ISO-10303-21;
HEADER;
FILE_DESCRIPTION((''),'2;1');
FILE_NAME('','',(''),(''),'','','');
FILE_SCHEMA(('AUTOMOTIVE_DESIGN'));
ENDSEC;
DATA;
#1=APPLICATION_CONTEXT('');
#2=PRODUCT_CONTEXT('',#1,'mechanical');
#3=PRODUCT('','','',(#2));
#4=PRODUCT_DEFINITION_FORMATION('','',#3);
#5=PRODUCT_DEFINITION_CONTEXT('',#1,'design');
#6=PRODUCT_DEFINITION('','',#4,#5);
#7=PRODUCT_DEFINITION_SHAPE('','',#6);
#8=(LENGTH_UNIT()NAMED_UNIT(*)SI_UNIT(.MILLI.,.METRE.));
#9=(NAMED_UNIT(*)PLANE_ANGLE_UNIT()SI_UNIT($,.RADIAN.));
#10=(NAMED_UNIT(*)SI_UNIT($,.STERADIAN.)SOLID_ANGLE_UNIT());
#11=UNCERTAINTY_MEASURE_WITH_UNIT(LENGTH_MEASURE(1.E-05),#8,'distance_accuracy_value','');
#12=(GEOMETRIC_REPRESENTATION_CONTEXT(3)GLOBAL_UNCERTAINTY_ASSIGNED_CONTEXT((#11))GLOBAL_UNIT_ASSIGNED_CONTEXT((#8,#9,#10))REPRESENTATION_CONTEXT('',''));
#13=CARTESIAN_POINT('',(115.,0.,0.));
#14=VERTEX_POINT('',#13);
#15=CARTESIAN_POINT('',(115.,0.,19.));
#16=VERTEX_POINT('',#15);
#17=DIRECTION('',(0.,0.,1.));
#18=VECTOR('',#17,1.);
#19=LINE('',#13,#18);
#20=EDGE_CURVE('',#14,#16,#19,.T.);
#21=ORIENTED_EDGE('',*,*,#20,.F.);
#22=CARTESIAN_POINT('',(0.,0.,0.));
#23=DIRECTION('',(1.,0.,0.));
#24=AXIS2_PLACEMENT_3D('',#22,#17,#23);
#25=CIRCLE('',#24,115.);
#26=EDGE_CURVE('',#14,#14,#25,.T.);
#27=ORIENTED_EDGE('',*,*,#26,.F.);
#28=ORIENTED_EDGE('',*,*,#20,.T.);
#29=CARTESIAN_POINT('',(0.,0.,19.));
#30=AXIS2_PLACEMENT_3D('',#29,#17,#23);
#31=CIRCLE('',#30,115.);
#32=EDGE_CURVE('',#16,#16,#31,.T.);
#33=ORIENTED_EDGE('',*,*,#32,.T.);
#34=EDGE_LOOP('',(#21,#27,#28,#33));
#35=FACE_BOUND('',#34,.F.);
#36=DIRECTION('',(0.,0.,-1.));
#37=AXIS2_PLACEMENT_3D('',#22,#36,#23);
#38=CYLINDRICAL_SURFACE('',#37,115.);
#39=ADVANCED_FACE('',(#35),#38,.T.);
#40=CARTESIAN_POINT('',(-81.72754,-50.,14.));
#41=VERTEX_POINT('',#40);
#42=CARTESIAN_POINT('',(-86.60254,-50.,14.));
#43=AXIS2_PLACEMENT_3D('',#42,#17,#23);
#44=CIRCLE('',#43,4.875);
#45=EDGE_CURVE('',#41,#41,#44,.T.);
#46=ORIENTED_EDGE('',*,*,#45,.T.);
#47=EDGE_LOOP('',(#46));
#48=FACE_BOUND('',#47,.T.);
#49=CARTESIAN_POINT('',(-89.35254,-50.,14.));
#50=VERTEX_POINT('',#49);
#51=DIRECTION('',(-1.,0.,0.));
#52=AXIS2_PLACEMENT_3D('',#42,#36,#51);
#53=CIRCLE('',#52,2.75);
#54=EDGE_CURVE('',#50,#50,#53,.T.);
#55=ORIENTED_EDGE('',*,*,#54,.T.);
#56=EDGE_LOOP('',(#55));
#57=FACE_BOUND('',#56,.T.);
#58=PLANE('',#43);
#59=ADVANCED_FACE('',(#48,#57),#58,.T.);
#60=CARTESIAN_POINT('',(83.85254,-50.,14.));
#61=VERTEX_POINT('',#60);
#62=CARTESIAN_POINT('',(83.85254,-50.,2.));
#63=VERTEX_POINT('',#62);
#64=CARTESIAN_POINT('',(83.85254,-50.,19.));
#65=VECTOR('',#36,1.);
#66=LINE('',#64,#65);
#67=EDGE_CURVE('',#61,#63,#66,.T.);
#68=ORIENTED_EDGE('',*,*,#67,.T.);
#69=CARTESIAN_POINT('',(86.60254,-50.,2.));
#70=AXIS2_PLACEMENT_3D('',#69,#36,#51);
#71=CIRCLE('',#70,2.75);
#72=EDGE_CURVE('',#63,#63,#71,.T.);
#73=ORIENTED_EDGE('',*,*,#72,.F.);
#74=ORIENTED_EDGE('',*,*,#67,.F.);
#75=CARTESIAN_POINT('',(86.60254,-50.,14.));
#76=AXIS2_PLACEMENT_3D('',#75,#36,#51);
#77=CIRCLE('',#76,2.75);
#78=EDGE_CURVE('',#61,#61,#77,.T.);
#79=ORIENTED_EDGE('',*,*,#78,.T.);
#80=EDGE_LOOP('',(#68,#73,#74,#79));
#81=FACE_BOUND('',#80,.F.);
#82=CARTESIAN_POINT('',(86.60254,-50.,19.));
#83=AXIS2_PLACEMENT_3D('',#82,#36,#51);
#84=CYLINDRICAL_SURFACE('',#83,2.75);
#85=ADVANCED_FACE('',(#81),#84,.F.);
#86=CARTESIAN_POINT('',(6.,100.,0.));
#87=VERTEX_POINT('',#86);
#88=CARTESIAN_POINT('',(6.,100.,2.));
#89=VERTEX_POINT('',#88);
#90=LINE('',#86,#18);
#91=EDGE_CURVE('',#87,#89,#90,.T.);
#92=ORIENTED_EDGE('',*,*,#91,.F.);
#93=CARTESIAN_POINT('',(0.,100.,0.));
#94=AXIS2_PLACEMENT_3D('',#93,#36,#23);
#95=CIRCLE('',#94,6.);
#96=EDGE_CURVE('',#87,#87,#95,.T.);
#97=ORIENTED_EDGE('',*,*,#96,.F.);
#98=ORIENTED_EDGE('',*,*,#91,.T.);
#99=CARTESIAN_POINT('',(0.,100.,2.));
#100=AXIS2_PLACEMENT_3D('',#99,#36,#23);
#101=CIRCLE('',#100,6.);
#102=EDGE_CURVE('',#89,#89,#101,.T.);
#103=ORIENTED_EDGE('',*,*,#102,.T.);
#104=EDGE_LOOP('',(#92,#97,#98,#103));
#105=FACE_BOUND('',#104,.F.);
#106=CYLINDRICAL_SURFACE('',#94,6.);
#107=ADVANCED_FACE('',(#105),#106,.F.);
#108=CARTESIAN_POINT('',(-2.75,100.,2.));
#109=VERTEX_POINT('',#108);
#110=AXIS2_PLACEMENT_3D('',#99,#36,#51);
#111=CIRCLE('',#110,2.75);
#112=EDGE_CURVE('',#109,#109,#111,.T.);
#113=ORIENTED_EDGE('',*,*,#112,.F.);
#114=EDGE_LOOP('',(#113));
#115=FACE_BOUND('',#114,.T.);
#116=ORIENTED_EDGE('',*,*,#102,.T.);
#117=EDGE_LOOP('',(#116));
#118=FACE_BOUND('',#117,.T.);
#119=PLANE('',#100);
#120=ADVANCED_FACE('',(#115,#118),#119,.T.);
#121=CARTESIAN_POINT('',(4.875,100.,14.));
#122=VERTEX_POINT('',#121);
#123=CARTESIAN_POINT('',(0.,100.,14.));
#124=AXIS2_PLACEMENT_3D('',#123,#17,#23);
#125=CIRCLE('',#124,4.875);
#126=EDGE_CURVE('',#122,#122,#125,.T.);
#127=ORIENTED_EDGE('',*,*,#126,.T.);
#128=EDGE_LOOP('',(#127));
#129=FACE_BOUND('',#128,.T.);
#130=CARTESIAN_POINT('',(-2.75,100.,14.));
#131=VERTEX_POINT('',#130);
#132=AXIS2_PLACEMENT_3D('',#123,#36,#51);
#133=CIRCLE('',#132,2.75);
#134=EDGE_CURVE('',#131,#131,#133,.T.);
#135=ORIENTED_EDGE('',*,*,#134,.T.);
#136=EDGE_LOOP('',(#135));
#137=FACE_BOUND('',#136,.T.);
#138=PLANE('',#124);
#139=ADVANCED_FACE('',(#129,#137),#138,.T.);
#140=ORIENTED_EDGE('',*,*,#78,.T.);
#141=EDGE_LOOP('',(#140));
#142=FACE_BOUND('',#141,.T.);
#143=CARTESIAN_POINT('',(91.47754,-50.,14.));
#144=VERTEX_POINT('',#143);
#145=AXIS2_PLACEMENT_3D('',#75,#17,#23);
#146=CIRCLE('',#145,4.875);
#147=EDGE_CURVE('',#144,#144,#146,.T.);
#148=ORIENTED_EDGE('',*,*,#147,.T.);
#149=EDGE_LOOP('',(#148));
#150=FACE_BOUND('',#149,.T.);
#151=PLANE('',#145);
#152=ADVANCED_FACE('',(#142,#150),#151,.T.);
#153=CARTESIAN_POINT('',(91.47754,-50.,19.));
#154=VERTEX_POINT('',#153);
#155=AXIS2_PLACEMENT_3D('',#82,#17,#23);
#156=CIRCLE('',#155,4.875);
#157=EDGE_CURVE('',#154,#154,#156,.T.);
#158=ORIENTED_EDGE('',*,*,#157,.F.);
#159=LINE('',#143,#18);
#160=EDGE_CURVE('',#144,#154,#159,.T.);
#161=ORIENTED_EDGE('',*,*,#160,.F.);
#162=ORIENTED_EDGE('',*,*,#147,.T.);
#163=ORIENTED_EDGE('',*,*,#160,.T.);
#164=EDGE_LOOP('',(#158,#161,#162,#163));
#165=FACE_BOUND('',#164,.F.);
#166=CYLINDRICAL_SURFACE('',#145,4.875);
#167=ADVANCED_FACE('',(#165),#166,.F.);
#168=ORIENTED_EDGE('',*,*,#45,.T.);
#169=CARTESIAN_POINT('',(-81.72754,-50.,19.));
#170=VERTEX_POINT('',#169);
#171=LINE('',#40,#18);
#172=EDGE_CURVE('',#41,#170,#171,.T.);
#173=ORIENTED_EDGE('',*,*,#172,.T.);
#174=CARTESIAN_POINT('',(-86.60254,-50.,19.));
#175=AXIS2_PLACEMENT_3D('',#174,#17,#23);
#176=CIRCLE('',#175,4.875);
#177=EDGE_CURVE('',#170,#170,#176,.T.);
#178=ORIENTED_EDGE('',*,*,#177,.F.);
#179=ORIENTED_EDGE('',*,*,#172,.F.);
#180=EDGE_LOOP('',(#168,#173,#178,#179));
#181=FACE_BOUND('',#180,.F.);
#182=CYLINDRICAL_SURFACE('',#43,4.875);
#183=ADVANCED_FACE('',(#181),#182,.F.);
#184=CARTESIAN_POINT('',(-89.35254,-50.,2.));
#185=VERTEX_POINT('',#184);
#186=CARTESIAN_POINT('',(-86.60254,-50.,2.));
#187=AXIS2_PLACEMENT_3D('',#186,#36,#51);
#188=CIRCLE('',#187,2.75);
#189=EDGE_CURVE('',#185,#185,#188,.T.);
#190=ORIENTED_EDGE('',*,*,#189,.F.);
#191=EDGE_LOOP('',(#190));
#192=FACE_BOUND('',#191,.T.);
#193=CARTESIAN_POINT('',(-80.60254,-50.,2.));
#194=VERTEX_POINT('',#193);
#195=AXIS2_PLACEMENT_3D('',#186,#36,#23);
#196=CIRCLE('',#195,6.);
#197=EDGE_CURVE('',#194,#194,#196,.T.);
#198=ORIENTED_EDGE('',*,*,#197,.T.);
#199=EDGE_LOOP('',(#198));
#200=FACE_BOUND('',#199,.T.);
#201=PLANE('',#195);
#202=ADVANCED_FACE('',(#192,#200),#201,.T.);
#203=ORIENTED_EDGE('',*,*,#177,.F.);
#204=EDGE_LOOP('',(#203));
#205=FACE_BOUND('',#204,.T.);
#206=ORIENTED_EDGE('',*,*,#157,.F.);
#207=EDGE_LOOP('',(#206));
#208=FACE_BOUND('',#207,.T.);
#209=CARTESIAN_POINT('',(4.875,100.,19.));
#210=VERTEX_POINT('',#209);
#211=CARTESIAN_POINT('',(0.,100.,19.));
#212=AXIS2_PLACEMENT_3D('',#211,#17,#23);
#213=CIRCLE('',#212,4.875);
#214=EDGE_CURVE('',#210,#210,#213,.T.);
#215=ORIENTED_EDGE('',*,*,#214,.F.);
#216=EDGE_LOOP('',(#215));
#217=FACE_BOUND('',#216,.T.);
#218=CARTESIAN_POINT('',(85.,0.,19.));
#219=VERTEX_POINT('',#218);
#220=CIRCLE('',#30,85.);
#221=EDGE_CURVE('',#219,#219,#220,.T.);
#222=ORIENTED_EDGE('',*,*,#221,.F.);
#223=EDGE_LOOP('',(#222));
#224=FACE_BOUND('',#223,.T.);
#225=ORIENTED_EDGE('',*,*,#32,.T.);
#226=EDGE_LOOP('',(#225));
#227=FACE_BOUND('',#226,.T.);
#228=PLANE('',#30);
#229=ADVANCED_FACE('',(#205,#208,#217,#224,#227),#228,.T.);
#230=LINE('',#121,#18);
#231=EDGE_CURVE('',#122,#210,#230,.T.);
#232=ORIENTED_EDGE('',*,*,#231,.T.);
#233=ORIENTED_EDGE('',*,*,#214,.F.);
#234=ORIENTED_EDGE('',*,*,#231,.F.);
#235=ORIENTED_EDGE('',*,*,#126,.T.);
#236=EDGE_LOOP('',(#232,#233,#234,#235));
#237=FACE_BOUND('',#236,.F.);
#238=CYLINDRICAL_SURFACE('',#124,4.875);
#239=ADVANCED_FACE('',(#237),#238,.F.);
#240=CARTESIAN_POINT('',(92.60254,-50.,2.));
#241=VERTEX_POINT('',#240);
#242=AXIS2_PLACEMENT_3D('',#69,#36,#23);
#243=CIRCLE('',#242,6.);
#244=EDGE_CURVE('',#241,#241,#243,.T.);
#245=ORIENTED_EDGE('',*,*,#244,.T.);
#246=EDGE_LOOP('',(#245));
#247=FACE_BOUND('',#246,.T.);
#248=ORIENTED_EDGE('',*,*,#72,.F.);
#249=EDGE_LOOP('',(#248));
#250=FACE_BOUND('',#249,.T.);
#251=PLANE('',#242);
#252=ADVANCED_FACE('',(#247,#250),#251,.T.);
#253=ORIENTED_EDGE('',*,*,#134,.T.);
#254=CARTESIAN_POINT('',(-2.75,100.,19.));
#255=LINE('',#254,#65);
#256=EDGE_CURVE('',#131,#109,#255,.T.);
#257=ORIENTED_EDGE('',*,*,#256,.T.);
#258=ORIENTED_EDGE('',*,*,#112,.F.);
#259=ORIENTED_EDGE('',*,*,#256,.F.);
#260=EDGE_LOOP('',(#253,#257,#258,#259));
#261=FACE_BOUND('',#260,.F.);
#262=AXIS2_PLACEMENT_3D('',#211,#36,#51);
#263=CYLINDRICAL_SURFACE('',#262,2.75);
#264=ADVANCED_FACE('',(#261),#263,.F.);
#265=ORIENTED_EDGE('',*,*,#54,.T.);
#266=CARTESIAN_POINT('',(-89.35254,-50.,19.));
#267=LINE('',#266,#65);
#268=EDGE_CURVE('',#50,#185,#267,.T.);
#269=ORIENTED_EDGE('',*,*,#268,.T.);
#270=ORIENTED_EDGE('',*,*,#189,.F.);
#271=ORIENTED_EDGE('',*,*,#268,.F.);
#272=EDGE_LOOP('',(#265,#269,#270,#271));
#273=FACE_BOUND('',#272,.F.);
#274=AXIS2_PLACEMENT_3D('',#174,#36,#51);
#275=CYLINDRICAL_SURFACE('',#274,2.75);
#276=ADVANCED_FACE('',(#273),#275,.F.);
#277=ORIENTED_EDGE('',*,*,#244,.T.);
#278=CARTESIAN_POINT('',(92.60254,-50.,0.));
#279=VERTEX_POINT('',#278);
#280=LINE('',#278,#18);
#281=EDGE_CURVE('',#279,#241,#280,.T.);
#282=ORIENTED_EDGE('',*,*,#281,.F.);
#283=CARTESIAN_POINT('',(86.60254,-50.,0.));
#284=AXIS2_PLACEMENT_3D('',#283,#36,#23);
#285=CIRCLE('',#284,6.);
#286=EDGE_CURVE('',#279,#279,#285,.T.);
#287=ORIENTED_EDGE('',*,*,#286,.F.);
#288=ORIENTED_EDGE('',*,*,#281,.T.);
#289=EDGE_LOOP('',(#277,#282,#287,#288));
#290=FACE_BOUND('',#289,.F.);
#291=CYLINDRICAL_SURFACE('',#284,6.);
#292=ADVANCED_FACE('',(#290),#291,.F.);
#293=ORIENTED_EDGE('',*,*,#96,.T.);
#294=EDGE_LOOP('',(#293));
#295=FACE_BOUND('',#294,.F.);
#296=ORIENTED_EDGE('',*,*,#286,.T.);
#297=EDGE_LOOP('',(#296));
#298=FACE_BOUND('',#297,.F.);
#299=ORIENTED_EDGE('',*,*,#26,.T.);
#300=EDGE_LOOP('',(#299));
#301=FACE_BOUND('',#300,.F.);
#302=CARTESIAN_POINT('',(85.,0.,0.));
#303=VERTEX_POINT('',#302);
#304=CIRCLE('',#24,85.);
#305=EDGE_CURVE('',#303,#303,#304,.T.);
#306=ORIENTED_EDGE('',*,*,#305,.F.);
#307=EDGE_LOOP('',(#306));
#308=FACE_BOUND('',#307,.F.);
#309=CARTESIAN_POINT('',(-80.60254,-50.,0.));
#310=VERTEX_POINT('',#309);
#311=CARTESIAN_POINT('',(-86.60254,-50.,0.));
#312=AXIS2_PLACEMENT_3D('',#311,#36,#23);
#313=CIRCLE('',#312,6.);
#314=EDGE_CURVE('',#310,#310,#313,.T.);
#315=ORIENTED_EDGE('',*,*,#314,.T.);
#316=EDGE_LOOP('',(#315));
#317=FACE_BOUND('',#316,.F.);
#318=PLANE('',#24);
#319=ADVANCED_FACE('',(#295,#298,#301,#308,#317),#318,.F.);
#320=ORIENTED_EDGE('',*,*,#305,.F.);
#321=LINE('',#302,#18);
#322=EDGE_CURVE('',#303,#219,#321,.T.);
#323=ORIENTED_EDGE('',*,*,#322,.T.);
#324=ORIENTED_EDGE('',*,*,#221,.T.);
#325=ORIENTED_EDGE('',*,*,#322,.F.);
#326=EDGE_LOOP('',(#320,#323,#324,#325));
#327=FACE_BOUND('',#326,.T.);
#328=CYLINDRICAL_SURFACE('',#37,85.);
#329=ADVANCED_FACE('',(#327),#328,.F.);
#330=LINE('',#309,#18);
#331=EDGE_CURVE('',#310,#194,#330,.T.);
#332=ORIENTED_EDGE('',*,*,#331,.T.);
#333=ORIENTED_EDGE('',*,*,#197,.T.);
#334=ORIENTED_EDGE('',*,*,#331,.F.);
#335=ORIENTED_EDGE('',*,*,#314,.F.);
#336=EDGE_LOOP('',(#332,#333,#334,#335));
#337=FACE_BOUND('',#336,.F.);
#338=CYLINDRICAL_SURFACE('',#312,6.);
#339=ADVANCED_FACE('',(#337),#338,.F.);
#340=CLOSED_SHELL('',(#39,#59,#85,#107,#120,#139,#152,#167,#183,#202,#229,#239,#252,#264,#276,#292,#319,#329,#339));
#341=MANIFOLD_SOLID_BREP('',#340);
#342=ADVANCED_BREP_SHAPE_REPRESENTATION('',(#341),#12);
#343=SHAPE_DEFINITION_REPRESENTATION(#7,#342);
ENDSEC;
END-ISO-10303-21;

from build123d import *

# Parameters (mm, degrees)
F0_R           = 115
F0_R_2         = 85
F1_DEPTH       = 19
F2_R           = 6
F3_DEPTH       = 2
F5_D           = 5.5
F5_CBORE_D     = 9.75
F5_CBORE_DEPTH = 5


with BuildPart() as f1:
    # F0 (on Top) → F1 (new body)
    with BuildSketch(Plane.XY):
        Circle(F0_R)
        Circle(F0_R_2, mode=Mode.SUBTRACT)
    extrude(amount=F1_DEPTH)

    # F2 (on face) → F3 (cut)
    with BuildSketch(Plane(origin=(0, 0, 0), x_dir=(1, 0, 0), z_dir=(0, 0, -1))):
        with Locations((0, -100)):
            Circle(F2_R)
        with Locations((86.6025403784, 50)):
            Circle(F2_R)
        with Locations((-86.6025403784, 50)):
            Circle(F2_R)
    extrude(amount=-F3_DEPTH, mode=Mode.SUBTRACT)

    # F5 (through all)
    with Locations(Plane.XY.offset(19)):
        with Locations((0, 100), (86.6025403784, -50), (-86.6025403784, -50)):
            CounterBoreHole(F5_D / 2, F5_CBORE_D / 2, F5_CBORE_DEPTH)


solid = f1.part
